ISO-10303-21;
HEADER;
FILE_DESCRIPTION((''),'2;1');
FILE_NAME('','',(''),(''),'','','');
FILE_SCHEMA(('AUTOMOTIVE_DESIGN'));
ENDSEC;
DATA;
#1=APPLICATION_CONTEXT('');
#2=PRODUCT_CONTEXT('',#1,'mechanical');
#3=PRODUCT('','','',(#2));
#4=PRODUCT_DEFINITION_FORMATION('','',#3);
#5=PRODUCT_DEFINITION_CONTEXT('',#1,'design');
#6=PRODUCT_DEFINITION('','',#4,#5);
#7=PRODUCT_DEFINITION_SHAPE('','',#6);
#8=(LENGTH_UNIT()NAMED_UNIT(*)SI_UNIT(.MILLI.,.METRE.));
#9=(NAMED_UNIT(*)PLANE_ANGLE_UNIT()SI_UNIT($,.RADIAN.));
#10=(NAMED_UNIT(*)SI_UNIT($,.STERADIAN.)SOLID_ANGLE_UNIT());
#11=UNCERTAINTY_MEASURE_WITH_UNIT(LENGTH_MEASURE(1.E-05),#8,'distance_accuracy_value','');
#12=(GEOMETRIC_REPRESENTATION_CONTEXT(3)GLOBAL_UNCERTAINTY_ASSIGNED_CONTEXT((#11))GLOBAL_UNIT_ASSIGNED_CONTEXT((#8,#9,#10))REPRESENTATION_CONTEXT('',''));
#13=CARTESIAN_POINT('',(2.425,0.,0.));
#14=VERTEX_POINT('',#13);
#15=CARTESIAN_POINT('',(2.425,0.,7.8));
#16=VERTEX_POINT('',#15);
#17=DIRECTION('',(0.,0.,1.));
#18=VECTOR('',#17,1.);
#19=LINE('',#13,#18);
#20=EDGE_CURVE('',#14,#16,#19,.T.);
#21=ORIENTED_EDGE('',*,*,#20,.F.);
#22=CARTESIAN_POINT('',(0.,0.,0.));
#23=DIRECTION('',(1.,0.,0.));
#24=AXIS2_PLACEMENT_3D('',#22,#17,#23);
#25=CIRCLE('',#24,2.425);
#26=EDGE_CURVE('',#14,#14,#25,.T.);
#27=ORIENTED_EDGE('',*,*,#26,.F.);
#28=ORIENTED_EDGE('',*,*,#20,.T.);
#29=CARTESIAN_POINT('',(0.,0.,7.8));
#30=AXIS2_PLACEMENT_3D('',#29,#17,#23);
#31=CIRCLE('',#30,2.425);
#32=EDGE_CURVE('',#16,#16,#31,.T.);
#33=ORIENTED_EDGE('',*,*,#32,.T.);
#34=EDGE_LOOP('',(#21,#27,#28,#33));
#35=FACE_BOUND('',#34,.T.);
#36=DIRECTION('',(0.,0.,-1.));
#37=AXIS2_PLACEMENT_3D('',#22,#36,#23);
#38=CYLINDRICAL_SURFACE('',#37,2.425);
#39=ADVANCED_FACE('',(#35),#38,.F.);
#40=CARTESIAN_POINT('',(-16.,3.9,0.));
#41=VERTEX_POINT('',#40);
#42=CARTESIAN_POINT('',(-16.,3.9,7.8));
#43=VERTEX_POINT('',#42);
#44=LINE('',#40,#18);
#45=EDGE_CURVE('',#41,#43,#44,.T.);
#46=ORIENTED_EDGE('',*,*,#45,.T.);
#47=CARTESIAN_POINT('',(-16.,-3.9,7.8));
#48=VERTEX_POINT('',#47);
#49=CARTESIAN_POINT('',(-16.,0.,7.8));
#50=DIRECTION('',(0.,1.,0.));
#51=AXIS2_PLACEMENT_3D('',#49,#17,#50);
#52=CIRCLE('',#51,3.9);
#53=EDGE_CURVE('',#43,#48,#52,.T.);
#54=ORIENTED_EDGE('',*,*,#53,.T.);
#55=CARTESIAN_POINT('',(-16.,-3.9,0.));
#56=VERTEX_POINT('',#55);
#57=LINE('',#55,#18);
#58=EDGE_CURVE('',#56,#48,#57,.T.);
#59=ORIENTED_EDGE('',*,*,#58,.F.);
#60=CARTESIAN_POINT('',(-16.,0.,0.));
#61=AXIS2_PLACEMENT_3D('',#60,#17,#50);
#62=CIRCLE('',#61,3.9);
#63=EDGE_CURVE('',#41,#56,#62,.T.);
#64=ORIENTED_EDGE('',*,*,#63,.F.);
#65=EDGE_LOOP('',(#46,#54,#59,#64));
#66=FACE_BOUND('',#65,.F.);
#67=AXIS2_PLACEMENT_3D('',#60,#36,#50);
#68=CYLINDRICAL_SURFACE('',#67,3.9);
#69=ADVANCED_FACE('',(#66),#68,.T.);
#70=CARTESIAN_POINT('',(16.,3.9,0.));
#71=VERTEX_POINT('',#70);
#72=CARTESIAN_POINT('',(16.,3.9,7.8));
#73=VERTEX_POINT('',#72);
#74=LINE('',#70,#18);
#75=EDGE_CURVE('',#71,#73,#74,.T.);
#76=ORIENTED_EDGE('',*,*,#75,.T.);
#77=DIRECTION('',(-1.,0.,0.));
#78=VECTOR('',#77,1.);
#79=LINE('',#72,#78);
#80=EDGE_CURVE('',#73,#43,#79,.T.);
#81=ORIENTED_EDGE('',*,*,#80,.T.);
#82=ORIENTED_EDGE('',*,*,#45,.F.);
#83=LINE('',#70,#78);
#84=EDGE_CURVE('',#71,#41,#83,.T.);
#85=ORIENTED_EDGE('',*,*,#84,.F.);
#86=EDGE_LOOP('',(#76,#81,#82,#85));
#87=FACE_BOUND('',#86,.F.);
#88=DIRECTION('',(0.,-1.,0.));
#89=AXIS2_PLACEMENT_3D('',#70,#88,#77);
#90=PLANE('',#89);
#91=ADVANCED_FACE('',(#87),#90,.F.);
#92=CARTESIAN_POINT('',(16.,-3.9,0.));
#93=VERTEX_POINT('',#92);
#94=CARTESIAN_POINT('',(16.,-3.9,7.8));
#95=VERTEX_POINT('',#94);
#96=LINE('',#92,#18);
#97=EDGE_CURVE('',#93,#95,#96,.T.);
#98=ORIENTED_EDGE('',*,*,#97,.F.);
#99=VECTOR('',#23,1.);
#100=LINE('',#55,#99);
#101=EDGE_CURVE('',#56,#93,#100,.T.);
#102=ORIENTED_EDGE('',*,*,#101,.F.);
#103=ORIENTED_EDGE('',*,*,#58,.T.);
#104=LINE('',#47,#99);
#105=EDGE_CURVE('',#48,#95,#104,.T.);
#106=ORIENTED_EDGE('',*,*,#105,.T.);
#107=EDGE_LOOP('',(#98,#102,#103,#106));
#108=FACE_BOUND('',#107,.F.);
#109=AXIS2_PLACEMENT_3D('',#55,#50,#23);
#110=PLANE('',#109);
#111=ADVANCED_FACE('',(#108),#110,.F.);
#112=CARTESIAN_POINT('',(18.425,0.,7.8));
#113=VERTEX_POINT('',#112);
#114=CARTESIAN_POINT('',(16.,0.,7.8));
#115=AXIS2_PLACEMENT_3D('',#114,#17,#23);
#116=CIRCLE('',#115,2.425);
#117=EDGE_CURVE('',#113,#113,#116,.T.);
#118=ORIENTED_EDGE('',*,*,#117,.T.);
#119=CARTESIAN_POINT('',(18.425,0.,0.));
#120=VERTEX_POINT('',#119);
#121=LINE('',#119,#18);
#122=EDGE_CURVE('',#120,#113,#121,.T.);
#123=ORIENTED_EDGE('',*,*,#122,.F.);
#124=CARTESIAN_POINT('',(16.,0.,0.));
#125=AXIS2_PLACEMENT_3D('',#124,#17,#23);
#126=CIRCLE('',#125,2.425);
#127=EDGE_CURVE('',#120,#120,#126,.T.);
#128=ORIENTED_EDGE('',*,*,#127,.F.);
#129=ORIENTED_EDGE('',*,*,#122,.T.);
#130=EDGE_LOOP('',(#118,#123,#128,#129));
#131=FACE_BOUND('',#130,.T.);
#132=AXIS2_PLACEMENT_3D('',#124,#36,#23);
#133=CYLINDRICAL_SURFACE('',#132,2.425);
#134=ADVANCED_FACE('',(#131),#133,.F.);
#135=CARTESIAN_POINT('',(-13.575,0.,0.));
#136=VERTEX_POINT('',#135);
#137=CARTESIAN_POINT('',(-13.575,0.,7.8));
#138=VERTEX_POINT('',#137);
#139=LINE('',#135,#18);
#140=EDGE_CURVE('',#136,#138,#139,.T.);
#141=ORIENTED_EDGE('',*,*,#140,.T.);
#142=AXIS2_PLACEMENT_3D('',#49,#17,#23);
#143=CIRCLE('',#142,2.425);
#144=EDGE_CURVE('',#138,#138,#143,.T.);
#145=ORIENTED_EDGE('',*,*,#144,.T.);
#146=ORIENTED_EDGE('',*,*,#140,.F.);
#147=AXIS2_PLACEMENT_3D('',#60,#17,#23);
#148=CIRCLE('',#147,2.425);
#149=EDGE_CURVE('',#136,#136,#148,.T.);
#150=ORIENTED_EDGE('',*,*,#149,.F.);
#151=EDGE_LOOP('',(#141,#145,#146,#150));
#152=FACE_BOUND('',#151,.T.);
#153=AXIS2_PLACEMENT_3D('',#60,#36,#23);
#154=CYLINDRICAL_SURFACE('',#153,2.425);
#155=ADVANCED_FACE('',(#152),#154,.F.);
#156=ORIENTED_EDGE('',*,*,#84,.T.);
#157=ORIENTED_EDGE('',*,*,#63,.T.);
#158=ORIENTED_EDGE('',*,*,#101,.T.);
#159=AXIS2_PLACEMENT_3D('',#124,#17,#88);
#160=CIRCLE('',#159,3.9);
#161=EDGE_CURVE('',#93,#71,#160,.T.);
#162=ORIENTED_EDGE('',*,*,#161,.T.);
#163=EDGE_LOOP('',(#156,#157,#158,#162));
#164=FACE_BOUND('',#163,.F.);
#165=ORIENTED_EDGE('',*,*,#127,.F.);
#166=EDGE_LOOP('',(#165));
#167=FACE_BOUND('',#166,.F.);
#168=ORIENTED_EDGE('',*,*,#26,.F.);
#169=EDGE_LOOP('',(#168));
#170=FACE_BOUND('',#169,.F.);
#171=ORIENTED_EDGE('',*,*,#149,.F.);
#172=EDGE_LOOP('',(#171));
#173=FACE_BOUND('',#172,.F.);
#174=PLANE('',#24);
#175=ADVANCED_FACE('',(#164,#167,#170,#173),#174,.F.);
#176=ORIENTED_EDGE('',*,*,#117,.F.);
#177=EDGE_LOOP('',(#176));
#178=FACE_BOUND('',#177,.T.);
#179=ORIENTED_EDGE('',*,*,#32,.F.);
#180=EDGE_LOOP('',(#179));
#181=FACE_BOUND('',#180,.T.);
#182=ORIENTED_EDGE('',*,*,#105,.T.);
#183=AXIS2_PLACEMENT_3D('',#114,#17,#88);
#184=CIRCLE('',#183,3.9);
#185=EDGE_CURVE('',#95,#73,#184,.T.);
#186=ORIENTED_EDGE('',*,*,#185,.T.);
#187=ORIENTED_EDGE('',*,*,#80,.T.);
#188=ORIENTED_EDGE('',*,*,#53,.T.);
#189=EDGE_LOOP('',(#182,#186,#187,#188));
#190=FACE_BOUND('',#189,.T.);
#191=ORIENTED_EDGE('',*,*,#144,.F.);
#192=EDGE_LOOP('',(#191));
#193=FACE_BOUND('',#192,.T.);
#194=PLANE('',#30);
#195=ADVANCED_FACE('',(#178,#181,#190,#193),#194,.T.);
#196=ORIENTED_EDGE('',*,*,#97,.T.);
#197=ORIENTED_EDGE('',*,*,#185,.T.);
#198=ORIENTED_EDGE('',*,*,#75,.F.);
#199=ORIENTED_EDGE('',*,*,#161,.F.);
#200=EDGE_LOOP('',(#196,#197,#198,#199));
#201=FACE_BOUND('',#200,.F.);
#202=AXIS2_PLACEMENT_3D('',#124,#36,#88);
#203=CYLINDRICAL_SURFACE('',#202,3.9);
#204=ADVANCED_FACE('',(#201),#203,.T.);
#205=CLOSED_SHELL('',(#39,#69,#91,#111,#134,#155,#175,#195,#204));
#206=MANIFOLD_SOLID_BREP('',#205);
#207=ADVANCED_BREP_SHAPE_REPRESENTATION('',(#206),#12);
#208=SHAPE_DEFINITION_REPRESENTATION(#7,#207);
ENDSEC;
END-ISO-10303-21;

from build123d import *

# Parameters (mm, degrees)
F0_R     = 2.425
F1_DEPTH = 7.8
F2_R     = 2.425
F3_DEPTH = 7.8


with BuildPart() as f1:
    # F0 (on Top) → F1 (new body)
    with BuildSketch(Plane.XY):
        with BuildLine():
            ThreePointArc((16, -3.9), (19.9, 0), (16, 3.9))
            Line((16, 3.9), (-16, 3.9))
            ThreePointArc((-16, 3.9), (-19.9, 0), (-16, -3.9))
            Line((-16, -3.9), (16, -3.9))
        make_face()
        with Locations((-16, 0)):
            Circle(F0_R, mode=Mode.SUBTRACT)
        Circle(F0_R, mode=Mode.SUBTRACT)
        with Locations((16, 0)):
            Circle(F0_R, mode=Mode.SUBTRACT)
    extrude(amount=F1_DEPTH)

    # F2 (on face) → F3 (join)
    with BuildSketch(Plane.XZ.offset(3.9)):
        with Locations((-8, 3.9)):
            Circle(F2_R)
        with BuildLine():
            ThreePointArc((10.425, 3.9), (8, 6.325), (5.575, 3.9))
            ThreePointArc((5.575, 3.9), (8, 1.475), (10.425, 3.9))
        make_face()
    extrude(amount=-F3_DEPTH)


solid = f1.part
